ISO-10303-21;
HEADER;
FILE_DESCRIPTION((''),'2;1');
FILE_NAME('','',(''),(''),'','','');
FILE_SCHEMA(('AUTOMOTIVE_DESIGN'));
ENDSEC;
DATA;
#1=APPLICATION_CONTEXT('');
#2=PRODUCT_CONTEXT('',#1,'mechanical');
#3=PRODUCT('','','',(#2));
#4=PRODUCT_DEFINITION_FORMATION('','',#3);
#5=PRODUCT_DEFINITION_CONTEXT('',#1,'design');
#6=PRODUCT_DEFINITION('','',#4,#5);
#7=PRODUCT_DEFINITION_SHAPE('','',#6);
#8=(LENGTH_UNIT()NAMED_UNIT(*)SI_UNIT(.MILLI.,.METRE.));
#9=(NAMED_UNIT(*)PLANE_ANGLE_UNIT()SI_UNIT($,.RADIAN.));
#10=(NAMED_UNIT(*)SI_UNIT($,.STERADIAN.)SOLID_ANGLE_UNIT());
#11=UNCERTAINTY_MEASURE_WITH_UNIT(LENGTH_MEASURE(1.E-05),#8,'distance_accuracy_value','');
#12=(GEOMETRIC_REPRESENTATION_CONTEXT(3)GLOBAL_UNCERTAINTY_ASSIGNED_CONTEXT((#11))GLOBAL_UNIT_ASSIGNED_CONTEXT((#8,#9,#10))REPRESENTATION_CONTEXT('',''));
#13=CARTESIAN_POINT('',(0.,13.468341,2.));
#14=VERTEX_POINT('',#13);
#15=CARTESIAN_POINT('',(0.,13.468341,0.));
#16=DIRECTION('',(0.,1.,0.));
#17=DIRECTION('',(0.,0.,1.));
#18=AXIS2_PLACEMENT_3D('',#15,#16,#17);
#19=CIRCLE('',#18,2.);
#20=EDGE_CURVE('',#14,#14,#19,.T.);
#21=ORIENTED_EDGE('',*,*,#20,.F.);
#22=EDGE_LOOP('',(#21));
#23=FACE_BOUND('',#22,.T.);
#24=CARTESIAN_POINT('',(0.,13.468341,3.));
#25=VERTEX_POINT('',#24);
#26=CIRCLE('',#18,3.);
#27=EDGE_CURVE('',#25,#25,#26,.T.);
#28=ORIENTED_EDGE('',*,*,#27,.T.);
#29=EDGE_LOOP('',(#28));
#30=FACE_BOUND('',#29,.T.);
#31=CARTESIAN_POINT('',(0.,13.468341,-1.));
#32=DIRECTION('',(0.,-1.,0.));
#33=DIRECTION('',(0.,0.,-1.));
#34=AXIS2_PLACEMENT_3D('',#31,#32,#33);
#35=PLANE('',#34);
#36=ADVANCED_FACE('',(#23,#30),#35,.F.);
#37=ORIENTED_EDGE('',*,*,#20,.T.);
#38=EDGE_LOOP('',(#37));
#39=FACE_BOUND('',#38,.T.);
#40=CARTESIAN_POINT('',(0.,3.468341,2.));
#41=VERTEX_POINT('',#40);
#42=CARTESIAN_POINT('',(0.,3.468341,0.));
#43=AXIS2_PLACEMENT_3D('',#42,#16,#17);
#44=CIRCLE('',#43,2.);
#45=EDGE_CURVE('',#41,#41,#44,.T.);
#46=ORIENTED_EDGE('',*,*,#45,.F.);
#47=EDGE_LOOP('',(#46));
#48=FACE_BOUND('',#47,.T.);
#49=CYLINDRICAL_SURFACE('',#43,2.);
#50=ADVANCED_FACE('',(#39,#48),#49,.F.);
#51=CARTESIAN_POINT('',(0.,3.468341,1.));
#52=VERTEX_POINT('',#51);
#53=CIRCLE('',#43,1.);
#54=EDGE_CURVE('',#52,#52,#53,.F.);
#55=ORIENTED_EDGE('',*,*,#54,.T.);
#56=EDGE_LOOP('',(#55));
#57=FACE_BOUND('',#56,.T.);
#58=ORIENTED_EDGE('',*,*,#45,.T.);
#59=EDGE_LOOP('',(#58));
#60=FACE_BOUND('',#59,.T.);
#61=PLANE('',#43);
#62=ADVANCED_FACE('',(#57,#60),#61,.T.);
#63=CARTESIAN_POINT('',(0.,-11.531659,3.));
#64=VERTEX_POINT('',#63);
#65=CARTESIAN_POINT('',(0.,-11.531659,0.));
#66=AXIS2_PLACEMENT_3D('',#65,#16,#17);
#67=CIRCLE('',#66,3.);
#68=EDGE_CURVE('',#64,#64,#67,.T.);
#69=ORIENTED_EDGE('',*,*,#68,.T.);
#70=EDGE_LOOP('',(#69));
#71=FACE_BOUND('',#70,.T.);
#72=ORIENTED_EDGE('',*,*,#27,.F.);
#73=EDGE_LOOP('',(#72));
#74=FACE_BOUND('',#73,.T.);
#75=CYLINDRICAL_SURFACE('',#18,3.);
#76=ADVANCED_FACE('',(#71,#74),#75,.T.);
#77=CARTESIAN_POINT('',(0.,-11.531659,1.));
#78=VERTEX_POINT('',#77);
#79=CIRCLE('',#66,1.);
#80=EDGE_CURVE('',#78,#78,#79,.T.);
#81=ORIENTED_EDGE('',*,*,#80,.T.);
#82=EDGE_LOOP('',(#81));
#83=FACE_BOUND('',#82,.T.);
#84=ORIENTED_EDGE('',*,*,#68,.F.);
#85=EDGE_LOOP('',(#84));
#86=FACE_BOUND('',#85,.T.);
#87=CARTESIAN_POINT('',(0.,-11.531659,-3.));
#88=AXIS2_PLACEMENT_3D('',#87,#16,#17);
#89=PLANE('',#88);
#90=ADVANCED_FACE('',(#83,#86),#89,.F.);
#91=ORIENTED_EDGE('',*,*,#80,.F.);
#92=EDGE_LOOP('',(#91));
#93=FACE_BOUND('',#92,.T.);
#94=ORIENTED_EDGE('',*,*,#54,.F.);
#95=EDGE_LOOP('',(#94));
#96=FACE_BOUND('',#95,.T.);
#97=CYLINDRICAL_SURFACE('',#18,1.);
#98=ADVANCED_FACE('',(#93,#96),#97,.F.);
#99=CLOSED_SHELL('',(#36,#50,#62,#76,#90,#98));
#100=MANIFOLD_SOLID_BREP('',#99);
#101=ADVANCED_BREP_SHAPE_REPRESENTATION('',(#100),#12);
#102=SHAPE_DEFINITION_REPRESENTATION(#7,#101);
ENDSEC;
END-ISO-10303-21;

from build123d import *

# Parameters (mm, degrees)
SKICA1_W                 = 2
SKICA1_H                 = 25
SKICA2_R                 = 2
ODEBRAT_VYSUNUT_M1_DEPTH = 10


with BuildPart() as part:
    # Skica1 → Rotovat1 (revolve)
    with BuildSketch(Plane(origin=(0, 0, 0), x_dir=(0, 0, -1), z_dir=(1, 0, 0)), mode=Mode.PRIVATE) as rotovat1_sk:
        with Locations((2, 0.968340643)):
            Rectangle(SKICA1_W, SKICA1_H)
    revolve(rotovat1_sk.sketch.rotate(Axis((0, 13.468340643, 0), (0, -1, 0)), 180), axis=Axis((0, 13.468340643, 0), (0, -1, 0)))

    # Skica2 → Odebrat vysunutím1 (cut)
    with BuildSketch(Plane(origin=(0, 13.468340643, 0), x_dir=(1, 0, 0), z_dir=(0, 1, 0))):
        with Locations(Location((0, 0, 0), (0, 0, 270))):
            Circle(SKICA2_R)
    extrude(amount=-ODEBRAT_VYSUNUT_M1_DEPTH, mode=Mode.SUBTRACT)


solid = part.part
